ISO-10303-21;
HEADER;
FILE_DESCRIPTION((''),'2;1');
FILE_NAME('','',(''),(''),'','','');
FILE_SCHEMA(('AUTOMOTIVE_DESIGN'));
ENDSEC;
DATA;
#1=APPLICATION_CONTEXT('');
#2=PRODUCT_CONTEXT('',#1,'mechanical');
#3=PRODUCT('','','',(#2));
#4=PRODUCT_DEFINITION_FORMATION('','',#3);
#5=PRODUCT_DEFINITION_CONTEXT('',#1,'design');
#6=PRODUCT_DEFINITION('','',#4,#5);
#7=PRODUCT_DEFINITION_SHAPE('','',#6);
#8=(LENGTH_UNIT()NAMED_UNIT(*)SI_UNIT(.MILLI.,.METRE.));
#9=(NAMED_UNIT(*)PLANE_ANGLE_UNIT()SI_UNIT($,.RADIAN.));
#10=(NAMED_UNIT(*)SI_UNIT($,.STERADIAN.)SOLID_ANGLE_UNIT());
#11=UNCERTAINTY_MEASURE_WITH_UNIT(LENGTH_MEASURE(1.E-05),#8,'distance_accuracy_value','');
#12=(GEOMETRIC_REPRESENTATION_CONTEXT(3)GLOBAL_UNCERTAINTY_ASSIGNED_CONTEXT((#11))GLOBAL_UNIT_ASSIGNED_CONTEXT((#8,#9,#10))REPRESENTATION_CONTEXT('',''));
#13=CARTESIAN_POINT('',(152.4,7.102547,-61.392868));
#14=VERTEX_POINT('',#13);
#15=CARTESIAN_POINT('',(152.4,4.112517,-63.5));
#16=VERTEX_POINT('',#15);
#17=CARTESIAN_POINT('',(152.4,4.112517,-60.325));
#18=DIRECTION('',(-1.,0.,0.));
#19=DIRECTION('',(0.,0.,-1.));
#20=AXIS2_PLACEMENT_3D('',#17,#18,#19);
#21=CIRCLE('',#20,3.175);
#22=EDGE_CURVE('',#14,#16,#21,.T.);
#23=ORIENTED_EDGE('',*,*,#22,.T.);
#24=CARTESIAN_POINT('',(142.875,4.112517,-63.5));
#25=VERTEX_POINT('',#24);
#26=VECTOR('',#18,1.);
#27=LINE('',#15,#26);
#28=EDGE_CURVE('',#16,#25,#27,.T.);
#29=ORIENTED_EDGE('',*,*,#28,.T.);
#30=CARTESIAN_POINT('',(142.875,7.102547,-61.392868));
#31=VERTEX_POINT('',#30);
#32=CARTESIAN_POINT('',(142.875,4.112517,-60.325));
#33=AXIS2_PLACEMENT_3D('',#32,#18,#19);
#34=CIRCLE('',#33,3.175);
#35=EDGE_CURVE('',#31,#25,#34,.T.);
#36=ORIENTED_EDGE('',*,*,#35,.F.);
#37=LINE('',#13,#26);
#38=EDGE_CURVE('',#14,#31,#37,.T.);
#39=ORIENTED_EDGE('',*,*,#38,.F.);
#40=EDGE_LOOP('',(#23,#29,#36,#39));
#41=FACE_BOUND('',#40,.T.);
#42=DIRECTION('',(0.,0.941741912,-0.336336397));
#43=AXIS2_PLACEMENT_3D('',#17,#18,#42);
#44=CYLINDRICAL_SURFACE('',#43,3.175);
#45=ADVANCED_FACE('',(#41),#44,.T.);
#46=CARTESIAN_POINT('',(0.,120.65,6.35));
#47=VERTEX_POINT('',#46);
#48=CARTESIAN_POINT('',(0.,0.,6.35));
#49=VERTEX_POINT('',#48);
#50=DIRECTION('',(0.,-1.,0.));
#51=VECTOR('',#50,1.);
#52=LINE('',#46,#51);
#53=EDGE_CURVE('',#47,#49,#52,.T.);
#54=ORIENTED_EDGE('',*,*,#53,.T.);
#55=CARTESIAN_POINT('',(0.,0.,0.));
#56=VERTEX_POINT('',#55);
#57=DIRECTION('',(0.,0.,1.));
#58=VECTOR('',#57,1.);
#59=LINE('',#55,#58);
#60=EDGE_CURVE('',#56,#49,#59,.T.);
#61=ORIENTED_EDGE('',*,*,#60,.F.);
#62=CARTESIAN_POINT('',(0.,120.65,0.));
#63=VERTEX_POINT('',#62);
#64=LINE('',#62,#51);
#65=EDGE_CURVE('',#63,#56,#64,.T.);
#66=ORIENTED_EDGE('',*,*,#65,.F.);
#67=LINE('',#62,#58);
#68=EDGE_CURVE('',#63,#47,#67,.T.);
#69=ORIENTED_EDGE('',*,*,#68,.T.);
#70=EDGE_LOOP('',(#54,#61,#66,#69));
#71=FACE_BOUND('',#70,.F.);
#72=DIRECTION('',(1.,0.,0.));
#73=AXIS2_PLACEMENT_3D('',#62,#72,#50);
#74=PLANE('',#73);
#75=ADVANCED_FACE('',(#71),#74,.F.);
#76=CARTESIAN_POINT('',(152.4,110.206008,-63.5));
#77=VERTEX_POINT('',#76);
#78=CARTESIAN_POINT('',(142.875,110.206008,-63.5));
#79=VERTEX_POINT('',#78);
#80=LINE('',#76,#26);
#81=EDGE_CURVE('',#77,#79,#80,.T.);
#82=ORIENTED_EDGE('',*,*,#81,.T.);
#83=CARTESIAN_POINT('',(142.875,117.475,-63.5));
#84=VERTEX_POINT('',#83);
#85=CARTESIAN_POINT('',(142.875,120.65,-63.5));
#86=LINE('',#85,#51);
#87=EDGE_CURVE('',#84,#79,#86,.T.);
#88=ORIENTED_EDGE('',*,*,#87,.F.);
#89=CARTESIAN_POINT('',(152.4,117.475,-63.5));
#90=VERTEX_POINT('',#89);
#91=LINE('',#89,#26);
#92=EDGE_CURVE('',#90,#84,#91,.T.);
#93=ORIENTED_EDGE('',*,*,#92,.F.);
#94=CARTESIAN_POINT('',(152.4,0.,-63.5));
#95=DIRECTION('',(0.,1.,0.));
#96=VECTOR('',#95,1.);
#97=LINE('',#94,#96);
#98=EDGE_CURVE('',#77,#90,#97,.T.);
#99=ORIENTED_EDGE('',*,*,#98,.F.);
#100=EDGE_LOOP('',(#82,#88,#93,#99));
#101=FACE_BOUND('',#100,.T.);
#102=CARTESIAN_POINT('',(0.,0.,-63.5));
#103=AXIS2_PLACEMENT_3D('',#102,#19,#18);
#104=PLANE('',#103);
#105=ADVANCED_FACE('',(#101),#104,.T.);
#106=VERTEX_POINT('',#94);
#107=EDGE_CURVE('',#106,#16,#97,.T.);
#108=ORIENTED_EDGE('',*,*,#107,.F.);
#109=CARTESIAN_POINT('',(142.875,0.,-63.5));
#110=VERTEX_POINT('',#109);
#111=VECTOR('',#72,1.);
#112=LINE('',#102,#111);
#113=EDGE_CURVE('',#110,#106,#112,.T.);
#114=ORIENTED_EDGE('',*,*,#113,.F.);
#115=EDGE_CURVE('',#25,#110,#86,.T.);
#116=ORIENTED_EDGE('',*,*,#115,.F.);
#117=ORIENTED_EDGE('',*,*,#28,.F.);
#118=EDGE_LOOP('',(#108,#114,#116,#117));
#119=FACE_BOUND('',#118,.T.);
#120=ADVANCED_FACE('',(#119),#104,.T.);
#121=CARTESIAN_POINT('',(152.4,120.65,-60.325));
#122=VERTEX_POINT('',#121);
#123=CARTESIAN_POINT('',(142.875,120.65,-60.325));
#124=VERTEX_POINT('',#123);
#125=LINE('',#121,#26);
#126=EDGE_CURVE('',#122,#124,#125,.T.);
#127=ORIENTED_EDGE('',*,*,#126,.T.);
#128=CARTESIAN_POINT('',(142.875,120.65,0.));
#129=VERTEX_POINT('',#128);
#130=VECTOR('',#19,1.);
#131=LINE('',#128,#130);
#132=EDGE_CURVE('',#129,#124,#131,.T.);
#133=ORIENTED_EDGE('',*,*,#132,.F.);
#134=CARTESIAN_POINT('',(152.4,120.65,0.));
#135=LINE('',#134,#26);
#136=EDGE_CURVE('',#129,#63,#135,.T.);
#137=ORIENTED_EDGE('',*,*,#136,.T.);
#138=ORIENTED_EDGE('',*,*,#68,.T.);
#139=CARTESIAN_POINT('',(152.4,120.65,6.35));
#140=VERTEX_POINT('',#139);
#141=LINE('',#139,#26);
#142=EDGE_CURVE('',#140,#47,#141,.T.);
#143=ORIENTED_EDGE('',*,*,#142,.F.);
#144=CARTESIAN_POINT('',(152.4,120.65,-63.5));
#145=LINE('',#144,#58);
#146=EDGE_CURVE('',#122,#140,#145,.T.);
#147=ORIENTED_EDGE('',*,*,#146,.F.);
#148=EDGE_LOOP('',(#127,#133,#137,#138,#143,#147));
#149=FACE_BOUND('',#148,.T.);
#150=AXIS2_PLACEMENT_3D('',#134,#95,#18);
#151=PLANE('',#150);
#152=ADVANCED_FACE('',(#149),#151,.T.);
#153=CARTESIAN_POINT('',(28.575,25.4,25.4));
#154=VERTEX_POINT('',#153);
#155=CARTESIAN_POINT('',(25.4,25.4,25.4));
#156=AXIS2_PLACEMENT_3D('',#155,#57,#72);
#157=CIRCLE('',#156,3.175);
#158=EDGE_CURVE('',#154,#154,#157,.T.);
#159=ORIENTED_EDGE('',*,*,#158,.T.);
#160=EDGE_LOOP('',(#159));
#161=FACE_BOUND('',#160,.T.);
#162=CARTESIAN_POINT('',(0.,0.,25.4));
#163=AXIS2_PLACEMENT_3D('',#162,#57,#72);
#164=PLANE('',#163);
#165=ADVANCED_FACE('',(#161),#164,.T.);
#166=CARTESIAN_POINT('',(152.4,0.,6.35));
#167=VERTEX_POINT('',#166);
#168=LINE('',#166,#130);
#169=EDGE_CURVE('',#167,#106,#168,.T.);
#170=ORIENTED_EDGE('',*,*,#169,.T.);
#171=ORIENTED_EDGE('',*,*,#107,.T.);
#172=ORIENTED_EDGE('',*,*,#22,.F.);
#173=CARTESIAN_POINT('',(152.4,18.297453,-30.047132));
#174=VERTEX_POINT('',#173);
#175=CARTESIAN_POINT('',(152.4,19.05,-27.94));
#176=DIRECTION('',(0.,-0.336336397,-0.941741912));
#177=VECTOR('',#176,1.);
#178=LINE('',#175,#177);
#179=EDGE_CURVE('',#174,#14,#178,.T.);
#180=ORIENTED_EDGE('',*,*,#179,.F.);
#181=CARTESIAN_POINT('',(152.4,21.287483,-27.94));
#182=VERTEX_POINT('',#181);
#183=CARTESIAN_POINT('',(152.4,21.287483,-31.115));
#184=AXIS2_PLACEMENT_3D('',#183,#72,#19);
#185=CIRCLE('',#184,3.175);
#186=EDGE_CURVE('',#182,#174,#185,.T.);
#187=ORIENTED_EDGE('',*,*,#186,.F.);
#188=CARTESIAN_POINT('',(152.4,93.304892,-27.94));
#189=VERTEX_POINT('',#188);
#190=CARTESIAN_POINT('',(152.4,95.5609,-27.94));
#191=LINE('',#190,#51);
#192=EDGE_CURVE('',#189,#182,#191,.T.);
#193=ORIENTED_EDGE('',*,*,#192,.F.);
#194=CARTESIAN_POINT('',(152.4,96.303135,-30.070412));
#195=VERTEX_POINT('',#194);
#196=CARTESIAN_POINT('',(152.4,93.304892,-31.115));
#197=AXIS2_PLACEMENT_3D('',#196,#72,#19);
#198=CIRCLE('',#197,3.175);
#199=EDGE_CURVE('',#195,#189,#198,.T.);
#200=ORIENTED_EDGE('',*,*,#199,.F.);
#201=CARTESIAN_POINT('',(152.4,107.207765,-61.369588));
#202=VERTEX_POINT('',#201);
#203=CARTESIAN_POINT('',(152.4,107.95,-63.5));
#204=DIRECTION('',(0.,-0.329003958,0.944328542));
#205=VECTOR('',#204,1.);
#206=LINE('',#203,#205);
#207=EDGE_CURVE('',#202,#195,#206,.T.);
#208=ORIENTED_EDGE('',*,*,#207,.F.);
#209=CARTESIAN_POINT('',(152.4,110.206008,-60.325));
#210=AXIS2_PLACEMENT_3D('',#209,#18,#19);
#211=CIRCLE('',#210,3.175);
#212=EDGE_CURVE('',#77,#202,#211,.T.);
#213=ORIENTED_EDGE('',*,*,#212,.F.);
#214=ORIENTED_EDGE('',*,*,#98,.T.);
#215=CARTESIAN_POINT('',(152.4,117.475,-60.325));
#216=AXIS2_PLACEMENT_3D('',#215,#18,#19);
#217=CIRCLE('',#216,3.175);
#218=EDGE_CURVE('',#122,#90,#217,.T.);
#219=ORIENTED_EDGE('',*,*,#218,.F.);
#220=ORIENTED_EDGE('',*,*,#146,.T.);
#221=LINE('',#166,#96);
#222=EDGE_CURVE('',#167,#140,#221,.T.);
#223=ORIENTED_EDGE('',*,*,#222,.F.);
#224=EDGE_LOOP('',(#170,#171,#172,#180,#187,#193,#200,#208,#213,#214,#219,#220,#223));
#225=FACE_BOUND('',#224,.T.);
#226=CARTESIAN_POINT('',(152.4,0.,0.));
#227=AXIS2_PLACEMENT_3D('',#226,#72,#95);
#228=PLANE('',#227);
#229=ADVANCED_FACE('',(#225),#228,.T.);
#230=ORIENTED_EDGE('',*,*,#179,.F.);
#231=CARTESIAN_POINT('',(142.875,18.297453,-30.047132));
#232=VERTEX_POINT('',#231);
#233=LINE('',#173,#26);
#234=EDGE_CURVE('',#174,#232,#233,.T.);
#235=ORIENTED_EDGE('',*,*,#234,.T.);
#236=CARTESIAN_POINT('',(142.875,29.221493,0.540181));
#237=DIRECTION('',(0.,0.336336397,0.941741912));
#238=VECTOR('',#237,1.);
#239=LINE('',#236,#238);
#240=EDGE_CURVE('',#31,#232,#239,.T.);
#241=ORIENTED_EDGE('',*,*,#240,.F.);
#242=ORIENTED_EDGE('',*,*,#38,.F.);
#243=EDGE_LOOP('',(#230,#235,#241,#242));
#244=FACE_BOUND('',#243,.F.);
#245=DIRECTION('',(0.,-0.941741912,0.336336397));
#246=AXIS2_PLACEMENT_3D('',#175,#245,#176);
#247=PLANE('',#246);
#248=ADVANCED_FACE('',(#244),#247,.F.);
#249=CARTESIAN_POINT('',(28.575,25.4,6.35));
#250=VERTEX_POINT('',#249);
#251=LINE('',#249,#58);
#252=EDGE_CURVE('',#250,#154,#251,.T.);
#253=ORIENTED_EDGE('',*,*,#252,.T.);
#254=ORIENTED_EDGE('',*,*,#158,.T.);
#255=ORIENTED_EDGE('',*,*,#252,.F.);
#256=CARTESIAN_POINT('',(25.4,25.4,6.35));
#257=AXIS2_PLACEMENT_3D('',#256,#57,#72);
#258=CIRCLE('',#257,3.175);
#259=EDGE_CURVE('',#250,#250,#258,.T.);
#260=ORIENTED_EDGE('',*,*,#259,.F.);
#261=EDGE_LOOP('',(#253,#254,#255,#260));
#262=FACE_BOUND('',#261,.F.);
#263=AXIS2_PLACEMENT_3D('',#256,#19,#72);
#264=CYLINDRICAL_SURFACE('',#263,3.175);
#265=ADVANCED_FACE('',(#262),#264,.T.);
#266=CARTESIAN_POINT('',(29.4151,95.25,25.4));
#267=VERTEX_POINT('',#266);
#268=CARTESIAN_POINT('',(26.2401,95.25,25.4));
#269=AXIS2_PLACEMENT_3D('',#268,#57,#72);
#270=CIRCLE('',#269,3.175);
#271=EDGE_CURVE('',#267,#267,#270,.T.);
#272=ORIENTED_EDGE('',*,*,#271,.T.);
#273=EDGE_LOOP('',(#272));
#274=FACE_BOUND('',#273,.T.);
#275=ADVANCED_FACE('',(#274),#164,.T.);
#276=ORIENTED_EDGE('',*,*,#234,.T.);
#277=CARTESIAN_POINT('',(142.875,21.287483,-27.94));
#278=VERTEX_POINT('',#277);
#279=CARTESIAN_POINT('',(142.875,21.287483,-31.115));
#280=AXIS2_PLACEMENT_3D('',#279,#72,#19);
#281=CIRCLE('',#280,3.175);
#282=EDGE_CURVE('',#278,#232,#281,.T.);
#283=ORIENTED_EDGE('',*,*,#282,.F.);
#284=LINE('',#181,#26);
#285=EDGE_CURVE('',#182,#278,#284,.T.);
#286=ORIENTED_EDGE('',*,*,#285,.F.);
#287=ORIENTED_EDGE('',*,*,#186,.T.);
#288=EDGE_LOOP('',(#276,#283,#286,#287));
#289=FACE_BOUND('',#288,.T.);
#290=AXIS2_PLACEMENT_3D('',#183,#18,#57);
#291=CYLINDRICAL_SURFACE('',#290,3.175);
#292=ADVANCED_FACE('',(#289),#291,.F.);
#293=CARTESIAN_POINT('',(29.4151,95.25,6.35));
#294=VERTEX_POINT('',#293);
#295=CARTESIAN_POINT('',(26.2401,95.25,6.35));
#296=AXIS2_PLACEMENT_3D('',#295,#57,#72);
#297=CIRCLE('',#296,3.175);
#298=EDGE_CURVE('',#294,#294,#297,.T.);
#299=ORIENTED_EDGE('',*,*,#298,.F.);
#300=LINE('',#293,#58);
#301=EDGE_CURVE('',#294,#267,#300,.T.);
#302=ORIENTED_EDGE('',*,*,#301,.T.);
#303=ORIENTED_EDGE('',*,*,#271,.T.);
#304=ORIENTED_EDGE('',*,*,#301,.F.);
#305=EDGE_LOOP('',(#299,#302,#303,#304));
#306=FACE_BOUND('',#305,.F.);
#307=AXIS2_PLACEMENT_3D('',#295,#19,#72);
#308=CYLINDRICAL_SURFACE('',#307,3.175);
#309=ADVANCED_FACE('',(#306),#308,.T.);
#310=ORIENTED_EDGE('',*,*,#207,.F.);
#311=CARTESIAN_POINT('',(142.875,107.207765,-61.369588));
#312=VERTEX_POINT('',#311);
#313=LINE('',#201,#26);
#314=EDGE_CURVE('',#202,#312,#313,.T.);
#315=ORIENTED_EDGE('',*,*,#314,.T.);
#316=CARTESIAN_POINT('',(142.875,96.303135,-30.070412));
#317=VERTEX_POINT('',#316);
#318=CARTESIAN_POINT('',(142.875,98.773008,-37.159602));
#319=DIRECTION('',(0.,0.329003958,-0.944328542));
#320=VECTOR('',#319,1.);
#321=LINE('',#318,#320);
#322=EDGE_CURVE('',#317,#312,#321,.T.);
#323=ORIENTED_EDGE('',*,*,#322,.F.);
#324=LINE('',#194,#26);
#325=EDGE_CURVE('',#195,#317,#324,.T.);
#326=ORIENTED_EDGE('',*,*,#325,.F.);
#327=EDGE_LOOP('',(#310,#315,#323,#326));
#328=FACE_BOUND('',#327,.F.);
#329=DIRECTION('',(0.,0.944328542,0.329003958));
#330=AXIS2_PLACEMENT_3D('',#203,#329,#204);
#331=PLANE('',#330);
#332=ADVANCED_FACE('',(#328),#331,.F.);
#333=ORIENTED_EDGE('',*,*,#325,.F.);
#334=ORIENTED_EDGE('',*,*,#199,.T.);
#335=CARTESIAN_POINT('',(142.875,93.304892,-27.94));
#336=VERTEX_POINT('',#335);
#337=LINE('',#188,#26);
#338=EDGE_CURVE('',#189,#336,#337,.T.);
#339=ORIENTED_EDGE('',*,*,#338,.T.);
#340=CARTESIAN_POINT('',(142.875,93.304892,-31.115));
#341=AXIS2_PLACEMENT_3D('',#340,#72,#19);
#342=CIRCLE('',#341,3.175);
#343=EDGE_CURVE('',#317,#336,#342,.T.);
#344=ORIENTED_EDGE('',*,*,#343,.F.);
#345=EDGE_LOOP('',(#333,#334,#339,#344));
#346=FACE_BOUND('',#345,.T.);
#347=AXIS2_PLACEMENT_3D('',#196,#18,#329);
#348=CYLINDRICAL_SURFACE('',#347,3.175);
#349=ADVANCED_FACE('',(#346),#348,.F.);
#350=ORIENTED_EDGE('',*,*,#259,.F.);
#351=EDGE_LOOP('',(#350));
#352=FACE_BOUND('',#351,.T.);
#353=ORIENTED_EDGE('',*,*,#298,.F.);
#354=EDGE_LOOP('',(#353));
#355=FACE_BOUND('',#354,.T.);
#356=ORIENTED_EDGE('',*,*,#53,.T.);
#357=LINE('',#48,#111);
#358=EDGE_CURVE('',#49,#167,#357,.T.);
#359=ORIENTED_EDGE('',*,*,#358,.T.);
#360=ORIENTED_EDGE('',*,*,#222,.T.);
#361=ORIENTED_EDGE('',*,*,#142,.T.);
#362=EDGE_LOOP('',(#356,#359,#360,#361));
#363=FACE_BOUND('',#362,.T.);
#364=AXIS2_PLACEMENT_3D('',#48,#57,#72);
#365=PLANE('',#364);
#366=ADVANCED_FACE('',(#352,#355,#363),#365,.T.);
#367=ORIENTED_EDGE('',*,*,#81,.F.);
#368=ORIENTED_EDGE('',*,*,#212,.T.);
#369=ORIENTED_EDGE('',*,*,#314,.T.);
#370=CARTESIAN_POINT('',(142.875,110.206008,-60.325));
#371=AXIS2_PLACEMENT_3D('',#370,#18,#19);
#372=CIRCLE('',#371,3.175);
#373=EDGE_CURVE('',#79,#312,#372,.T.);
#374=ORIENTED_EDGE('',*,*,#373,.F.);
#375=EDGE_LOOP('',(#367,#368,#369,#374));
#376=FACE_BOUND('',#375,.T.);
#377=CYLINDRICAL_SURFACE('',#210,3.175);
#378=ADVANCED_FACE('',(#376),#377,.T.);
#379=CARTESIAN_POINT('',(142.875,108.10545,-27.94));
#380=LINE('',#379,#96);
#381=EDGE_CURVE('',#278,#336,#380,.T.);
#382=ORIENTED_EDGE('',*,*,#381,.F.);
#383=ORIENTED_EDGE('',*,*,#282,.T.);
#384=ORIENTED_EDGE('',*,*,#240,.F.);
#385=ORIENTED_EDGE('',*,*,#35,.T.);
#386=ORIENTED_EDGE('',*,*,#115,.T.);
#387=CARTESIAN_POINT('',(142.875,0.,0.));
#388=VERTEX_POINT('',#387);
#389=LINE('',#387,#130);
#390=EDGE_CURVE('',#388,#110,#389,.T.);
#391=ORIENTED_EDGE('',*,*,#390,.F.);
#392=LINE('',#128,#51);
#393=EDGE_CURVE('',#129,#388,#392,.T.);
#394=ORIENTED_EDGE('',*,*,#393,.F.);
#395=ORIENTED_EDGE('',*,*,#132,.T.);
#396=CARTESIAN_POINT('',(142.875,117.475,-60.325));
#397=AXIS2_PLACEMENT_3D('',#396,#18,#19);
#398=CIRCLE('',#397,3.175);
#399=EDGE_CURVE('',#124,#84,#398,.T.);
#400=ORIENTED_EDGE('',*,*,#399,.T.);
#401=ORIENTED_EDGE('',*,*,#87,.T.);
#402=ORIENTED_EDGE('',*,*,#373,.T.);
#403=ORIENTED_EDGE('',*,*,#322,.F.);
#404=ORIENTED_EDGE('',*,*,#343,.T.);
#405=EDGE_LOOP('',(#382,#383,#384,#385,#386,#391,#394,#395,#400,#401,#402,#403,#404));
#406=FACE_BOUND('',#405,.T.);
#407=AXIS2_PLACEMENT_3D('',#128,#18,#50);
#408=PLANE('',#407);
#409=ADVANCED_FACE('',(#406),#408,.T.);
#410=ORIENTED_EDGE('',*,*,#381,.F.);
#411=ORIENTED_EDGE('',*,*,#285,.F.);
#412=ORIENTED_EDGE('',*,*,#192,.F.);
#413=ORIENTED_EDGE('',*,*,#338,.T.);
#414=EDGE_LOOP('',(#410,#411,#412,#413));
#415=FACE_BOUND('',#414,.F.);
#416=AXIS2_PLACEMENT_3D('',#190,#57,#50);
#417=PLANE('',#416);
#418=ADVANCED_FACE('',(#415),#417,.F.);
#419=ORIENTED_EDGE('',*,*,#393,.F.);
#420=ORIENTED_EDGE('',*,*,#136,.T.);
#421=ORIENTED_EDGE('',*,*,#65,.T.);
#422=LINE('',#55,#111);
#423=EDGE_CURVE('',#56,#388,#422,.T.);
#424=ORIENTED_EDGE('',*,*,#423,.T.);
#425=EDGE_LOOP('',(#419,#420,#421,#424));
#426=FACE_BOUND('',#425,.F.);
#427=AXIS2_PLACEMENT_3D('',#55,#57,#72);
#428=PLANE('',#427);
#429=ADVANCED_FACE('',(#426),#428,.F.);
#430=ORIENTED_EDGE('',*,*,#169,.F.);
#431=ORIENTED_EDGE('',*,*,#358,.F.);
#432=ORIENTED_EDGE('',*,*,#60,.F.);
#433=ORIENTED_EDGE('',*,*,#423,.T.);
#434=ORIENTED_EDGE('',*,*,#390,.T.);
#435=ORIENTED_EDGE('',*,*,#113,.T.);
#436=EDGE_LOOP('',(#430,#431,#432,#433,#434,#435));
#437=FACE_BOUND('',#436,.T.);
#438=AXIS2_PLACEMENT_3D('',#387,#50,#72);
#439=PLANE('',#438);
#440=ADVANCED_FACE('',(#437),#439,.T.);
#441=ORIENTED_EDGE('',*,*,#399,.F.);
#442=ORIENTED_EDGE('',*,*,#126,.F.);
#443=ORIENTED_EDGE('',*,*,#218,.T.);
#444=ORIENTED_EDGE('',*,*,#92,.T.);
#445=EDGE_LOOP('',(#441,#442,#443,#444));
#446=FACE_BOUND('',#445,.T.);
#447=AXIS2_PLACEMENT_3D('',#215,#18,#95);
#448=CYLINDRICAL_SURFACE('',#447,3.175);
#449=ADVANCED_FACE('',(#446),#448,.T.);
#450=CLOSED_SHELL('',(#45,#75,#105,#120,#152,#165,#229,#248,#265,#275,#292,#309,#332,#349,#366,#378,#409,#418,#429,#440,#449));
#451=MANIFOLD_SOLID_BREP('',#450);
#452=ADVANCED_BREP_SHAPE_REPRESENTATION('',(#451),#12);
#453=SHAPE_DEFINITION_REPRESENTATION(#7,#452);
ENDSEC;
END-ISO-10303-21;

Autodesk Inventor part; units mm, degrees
ref_plane "YZ Plane" through (0, 0, 0) normal (1, 0, 0) x (0, 1, 0)
ref_plane "XZ Plane" through (0, 0, 0) normal (0, 1, 0) x (-1, 0, 0)
ref_plane "XY Plane" through (0, 0, 0) normal (0, 0, 1) x (1, 0, 0)
sketch "Sketch1" plane through (0, 0, 0) normal (0, 0, 1) x (1, 0, 0)
  line L0 (0, 0) -> (152.4, 0)
  line L1 (152.4, 0) -> (152.4, 120.65)
  line L2 (152.4, 120.65) -> (0, 120.65)
  line L3 (0, 120.65) -> (0, 0)
  dimension "d0" = 152.4
  dimension "d1" = 120.65
extrude "Extrusion1" add sketch "Sketch1" along normal blind 6.35
sketch "Sketch2" plane through (0, 0, 6.35) normal (0, 0, 1) x (1, 0, 0)
  line L0 (0, 0) -> (152.4, 0) projected
  line L1 (152.4, 120.65) -> (0, 120.65) projected
  line L2 (114.2866, 59.261) -> (0, 60.6355)
  line L3 (0, 120.65) -> (0, 0) projected
  line L4 (76.2, 0) -> (76.2, 120.65)
  circle A0 centre (25.4, 25.4) radius 3.175
  circle A1 centre (26.2401, 95.25) radius 3.175
  point P0 (114.7072, 94.0562)
  dimension "d18" = 25.4
  dimension "d20" = 25.4
  dimension "d23" = 25.4
  dimension "d24" = 26.2401
  dimension "d31" = 69.85
  dimension "d32" = 6.35
sketch "Sketch3" plane through (0, 0, 6.35) normal (0, 0, 1) x (1, 0, 0)
  point P0 (0, 0)
extrude "Extrusion4" add sketch "Sketch2" along normal blind 19.05 contours A0 | A1
thread "Thread5" size "3/8-16 UNC" class "2A" standard "ANSI Unified Screw Threads" full length
thread "Thread6" size "3/8-16 UNC" class "2A" standard "ANSI Unified Screw Threads" full length
sketch "Sketch7" plane through (0, 0, 0) normal (0, 0, -1) x (-1, 0, 0)
  line L0 (-152.4, 0) -> (-152.4, 120.65) projected
  line L1 (0, 0) -> (-152.4, 0) projected
  line L2 (-152.4, 120.65) -> (-142.875, 120.65)
  line L3 (-142.875, 120.65) -> (-142.875, 0)
  line L4 (-142.875, 0) -> (-152.4, 0)
  line L5 (-152.4, 0) -> (-152.4, 120.65)
  dimension "d36" = 9.525
extrude "Extrusion6" add sketch "Sketch7" along normal blind 63.5
sketch "Sketch8" plane through (152.4, 0, 6.35) normal (1, 0, 0) x (0, 0, -1)
  line L0 (69.85, 0) -> (69.85, 120.65) projected
  line L1 (0, 0) -> (0, 120.65) projected
  line L2 (69.85, 107.95) -> (34.29, 95.5609)
  line L3 (34.29, 95.5609) -> (34.29, 19.05)
  line L4 (34.29, 19.05) -> (69.85, 6.35)
  point P0 (6.35, 0)
  point P1 (34.29, 108.2609)
  point P2 (34.29, 6.35)
  dimension "d39" = 12.7
  dimension "d40" = 12.7
  dimension "d41" = 34.29
  dimension "d42" = 34.29
  dimension "d43" = 34.29
  dimension "d44" = 34.29
extrude "Extrusion7" cut sketch "Sketch8" against normal blind 63.5
fillet "Fillet1" radius 3.175 5 edges at (147.6375, 120.65, -63.5) (147.6375, 107.95, -63.5) (147.6375, 95.5609, -27.94) (147.6375, 19.05, -27.94) (147.6375, 6.35, -63.5)
properties part number "LucasCharles Part 10 final" material "Stainless Steel, Austenitic"
